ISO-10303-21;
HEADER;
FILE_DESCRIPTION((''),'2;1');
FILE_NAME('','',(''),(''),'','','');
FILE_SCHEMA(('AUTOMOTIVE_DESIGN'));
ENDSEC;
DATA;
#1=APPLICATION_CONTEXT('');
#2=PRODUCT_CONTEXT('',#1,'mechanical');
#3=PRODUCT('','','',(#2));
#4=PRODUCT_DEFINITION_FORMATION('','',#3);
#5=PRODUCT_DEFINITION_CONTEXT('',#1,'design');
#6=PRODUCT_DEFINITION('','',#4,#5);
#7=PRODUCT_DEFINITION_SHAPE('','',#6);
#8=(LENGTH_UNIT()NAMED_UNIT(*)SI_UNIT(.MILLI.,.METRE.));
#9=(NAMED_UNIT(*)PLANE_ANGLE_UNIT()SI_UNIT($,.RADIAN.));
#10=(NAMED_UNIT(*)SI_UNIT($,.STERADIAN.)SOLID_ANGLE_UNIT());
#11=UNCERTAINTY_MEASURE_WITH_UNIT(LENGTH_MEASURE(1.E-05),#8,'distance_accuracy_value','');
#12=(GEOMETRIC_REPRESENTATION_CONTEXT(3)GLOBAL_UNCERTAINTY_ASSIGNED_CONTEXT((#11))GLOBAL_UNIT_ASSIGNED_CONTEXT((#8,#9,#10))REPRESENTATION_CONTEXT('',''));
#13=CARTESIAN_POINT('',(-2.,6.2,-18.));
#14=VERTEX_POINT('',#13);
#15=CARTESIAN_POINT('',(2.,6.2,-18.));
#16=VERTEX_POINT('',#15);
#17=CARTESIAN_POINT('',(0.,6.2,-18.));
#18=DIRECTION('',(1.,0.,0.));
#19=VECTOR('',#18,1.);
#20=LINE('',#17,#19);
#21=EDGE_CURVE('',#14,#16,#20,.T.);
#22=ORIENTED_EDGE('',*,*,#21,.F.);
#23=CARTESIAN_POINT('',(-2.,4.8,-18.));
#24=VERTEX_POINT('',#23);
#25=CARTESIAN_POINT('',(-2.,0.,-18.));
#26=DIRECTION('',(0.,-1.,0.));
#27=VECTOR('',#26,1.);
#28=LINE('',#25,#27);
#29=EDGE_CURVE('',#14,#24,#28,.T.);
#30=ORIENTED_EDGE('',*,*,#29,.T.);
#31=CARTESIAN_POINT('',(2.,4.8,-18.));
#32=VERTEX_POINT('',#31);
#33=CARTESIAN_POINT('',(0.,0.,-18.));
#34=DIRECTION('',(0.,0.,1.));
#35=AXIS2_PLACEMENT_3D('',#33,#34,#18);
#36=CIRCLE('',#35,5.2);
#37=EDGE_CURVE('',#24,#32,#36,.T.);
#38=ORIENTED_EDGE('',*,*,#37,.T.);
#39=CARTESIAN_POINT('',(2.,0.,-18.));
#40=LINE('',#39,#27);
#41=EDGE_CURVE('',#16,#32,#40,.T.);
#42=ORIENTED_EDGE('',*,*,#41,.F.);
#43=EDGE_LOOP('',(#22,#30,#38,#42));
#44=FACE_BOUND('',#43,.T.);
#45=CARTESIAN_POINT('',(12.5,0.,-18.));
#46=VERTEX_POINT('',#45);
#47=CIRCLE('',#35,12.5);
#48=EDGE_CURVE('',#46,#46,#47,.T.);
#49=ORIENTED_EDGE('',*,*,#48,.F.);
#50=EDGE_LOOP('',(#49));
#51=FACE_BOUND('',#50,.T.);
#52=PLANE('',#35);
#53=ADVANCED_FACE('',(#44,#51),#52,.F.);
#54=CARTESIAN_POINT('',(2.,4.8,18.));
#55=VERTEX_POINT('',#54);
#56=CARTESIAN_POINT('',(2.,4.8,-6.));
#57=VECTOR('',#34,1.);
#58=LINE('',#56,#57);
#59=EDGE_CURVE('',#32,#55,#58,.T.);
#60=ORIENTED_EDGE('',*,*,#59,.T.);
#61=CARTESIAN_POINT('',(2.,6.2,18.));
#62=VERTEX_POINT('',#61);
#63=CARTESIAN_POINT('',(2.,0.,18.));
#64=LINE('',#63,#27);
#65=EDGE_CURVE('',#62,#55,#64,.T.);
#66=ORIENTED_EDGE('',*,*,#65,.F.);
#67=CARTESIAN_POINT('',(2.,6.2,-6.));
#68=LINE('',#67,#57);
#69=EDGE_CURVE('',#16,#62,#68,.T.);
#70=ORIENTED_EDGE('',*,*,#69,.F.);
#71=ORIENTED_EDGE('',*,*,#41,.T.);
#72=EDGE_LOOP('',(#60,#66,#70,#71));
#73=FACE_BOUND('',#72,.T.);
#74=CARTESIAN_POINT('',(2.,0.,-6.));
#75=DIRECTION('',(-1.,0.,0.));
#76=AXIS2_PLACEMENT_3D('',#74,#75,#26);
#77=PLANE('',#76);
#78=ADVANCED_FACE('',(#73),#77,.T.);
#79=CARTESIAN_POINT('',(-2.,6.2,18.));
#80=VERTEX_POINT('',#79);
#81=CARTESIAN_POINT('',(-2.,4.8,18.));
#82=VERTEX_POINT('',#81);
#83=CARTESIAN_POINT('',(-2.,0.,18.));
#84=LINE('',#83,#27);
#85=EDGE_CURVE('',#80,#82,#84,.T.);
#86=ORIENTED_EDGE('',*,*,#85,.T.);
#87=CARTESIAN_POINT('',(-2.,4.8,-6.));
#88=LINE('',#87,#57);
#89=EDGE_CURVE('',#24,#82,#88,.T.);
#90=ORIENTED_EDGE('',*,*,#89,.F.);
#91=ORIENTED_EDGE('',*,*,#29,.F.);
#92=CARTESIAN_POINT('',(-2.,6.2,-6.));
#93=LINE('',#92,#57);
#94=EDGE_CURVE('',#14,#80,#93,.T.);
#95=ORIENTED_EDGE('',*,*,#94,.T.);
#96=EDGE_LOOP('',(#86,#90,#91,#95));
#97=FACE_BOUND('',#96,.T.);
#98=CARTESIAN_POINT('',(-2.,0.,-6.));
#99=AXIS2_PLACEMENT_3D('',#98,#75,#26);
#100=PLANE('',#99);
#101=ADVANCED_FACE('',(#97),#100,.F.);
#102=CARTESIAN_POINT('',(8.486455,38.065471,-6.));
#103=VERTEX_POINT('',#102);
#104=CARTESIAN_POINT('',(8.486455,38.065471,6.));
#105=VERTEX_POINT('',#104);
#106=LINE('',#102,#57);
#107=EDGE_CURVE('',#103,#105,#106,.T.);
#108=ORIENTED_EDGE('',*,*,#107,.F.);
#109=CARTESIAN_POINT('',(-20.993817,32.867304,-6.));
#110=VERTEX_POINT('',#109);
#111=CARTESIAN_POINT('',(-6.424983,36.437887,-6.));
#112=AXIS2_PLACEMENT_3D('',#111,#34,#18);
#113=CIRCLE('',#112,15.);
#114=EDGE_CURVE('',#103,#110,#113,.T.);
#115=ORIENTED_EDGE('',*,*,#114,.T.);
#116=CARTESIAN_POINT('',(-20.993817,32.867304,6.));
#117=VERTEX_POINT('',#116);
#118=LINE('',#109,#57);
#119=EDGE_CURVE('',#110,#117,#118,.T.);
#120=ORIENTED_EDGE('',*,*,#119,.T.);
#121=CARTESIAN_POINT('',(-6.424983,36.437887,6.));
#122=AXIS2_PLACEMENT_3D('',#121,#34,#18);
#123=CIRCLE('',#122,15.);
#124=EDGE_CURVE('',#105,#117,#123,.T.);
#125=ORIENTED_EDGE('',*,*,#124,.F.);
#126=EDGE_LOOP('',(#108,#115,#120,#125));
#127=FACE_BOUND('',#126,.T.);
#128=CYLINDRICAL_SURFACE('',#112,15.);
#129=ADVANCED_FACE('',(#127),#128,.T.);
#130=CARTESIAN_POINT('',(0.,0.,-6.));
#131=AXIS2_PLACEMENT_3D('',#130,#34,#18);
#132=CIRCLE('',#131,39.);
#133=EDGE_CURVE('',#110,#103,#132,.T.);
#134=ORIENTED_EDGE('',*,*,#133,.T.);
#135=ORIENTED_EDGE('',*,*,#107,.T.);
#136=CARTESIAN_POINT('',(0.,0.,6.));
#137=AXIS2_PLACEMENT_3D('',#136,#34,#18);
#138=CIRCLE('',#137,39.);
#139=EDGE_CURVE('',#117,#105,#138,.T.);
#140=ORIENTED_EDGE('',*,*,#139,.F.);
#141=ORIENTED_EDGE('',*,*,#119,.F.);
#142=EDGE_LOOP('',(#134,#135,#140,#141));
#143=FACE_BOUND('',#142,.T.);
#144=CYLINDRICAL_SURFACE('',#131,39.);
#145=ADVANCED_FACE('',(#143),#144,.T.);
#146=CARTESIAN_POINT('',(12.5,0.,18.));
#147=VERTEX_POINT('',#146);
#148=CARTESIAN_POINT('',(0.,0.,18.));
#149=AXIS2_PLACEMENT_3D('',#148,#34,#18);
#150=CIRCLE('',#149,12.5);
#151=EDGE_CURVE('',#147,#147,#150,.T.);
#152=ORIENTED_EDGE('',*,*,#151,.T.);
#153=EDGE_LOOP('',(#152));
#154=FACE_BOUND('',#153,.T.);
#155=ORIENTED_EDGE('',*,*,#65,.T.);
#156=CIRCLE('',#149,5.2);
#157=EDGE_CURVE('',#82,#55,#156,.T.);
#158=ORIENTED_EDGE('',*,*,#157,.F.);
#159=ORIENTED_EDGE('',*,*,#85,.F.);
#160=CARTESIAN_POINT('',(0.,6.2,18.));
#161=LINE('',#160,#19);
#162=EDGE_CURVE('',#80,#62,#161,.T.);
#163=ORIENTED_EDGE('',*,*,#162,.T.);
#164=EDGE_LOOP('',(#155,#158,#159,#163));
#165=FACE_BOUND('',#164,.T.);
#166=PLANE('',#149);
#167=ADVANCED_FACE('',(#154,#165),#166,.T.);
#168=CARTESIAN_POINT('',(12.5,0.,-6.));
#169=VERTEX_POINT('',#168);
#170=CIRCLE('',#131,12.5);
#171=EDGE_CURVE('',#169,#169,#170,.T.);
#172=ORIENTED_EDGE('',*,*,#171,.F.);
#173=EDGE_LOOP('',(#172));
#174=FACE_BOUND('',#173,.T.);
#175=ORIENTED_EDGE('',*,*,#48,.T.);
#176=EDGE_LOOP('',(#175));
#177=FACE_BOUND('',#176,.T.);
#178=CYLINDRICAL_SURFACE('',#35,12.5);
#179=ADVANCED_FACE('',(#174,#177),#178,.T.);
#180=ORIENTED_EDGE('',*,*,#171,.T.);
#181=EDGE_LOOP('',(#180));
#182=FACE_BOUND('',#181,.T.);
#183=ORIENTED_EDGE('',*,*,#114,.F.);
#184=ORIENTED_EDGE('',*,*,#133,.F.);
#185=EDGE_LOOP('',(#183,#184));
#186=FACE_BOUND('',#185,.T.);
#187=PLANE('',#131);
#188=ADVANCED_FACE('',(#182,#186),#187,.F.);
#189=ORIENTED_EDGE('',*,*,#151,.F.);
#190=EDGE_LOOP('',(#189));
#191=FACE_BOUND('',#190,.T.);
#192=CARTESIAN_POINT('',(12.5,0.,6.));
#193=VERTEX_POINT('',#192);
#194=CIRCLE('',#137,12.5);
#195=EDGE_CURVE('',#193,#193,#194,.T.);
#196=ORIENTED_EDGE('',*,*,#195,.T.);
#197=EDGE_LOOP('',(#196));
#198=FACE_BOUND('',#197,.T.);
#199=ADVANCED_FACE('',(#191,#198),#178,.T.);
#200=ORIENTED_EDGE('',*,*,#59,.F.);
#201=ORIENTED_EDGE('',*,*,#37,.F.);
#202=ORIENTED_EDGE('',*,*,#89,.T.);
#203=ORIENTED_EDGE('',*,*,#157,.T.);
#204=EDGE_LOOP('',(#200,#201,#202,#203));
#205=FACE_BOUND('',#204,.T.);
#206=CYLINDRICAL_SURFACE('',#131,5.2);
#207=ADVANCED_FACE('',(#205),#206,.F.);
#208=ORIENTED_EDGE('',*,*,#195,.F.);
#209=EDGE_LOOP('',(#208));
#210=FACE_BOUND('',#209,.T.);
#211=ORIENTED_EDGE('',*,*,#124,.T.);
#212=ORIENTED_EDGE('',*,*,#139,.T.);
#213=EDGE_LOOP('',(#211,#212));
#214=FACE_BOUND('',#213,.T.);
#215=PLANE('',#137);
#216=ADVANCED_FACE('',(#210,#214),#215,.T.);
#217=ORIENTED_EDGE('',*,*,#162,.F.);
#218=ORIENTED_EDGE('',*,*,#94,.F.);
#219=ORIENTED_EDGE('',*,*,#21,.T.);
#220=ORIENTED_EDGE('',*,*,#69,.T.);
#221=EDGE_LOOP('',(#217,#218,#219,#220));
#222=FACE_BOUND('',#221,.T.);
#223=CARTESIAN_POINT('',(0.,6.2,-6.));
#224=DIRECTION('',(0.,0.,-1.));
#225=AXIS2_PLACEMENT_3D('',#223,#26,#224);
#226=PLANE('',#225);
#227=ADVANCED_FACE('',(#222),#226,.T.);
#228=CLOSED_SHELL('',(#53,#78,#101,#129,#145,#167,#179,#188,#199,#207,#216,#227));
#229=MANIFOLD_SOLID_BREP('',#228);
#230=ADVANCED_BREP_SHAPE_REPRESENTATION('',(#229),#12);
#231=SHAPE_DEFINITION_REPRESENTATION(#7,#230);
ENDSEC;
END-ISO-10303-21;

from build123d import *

# Parameters (mm, degrees)
BOSS_EXTRUDE1_DEPTH      = 6
BOSS_EXTRUDE1_DEPTH_BACK = 6
BOSS_EXTRUDE2_DEPTH      = 18
BOSS_EXTRUDE2_DEPTH_BACK = 18
SKETCH1_4_R              = 12.5


with BuildPart() as part:
    # Sketch1 → Boss-Extrude1 (new, two sides: drawn at the far end of the back side and taken through both)
    with BuildSketch(Plane.XY.offset(-BOSS_EXTRUDE1_DEPTH_BACK)):
        with BuildLine():
            ThreePointArc((8.486454979, 38.065470993), (-9.029705239, 51.210003157), (-20.993816965, 32.86730365))
            ThreePointArc((-20.993816965, 32.86730365), (6.772278929, -38.407502367), (8.486454979, 38.065470993))
        make_face()
        with BuildLine():
            Line((-2, 6.2), (2, 6.2))
            Line((2, 6.2), (2, 4.8))
            ThreePointArc((2, 4.8), (0, -5.2), (-2, 4.8))
            Line((-2, 4.8), (-2, 6.2))
        make_face(mode=Mode.SUBTRACT)
    extrude(amount=BOSS_EXTRUDE1_DEPTH + BOSS_EXTRUDE1_DEPTH_BACK)

    # Sketch1<4> → Boss-Extrude2 (add, two sides: drawn at the far end of the back side and taken through both)
    with BuildSketch(Plane.XY.offset(-BOSS_EXTRUDE2_DEPTH_BACK)):
        Circle(SKETCH1_4_R)
        with BuildLine():
            Line((-2, 4.8), (-2, 6.2))
            Line((-2, 6.2), (2, 6.2))
            Line((2, 6.2), (2, 4.8))
            ThreePointArc((2, 4.8), (4.326661531, 2.88444102), (5.2, 0))
            ThreePointArc((5.2, 0), (-2.88444102, -4.326661531), (-2, 4.8))
        make_face(mode=Mode.SUBTRACT)
    extrude(amount=BOSS_EXTRUDE2_DEPTH + BOSS_EXTRUDE2_DEPTH_BACK)


solid = part.part
